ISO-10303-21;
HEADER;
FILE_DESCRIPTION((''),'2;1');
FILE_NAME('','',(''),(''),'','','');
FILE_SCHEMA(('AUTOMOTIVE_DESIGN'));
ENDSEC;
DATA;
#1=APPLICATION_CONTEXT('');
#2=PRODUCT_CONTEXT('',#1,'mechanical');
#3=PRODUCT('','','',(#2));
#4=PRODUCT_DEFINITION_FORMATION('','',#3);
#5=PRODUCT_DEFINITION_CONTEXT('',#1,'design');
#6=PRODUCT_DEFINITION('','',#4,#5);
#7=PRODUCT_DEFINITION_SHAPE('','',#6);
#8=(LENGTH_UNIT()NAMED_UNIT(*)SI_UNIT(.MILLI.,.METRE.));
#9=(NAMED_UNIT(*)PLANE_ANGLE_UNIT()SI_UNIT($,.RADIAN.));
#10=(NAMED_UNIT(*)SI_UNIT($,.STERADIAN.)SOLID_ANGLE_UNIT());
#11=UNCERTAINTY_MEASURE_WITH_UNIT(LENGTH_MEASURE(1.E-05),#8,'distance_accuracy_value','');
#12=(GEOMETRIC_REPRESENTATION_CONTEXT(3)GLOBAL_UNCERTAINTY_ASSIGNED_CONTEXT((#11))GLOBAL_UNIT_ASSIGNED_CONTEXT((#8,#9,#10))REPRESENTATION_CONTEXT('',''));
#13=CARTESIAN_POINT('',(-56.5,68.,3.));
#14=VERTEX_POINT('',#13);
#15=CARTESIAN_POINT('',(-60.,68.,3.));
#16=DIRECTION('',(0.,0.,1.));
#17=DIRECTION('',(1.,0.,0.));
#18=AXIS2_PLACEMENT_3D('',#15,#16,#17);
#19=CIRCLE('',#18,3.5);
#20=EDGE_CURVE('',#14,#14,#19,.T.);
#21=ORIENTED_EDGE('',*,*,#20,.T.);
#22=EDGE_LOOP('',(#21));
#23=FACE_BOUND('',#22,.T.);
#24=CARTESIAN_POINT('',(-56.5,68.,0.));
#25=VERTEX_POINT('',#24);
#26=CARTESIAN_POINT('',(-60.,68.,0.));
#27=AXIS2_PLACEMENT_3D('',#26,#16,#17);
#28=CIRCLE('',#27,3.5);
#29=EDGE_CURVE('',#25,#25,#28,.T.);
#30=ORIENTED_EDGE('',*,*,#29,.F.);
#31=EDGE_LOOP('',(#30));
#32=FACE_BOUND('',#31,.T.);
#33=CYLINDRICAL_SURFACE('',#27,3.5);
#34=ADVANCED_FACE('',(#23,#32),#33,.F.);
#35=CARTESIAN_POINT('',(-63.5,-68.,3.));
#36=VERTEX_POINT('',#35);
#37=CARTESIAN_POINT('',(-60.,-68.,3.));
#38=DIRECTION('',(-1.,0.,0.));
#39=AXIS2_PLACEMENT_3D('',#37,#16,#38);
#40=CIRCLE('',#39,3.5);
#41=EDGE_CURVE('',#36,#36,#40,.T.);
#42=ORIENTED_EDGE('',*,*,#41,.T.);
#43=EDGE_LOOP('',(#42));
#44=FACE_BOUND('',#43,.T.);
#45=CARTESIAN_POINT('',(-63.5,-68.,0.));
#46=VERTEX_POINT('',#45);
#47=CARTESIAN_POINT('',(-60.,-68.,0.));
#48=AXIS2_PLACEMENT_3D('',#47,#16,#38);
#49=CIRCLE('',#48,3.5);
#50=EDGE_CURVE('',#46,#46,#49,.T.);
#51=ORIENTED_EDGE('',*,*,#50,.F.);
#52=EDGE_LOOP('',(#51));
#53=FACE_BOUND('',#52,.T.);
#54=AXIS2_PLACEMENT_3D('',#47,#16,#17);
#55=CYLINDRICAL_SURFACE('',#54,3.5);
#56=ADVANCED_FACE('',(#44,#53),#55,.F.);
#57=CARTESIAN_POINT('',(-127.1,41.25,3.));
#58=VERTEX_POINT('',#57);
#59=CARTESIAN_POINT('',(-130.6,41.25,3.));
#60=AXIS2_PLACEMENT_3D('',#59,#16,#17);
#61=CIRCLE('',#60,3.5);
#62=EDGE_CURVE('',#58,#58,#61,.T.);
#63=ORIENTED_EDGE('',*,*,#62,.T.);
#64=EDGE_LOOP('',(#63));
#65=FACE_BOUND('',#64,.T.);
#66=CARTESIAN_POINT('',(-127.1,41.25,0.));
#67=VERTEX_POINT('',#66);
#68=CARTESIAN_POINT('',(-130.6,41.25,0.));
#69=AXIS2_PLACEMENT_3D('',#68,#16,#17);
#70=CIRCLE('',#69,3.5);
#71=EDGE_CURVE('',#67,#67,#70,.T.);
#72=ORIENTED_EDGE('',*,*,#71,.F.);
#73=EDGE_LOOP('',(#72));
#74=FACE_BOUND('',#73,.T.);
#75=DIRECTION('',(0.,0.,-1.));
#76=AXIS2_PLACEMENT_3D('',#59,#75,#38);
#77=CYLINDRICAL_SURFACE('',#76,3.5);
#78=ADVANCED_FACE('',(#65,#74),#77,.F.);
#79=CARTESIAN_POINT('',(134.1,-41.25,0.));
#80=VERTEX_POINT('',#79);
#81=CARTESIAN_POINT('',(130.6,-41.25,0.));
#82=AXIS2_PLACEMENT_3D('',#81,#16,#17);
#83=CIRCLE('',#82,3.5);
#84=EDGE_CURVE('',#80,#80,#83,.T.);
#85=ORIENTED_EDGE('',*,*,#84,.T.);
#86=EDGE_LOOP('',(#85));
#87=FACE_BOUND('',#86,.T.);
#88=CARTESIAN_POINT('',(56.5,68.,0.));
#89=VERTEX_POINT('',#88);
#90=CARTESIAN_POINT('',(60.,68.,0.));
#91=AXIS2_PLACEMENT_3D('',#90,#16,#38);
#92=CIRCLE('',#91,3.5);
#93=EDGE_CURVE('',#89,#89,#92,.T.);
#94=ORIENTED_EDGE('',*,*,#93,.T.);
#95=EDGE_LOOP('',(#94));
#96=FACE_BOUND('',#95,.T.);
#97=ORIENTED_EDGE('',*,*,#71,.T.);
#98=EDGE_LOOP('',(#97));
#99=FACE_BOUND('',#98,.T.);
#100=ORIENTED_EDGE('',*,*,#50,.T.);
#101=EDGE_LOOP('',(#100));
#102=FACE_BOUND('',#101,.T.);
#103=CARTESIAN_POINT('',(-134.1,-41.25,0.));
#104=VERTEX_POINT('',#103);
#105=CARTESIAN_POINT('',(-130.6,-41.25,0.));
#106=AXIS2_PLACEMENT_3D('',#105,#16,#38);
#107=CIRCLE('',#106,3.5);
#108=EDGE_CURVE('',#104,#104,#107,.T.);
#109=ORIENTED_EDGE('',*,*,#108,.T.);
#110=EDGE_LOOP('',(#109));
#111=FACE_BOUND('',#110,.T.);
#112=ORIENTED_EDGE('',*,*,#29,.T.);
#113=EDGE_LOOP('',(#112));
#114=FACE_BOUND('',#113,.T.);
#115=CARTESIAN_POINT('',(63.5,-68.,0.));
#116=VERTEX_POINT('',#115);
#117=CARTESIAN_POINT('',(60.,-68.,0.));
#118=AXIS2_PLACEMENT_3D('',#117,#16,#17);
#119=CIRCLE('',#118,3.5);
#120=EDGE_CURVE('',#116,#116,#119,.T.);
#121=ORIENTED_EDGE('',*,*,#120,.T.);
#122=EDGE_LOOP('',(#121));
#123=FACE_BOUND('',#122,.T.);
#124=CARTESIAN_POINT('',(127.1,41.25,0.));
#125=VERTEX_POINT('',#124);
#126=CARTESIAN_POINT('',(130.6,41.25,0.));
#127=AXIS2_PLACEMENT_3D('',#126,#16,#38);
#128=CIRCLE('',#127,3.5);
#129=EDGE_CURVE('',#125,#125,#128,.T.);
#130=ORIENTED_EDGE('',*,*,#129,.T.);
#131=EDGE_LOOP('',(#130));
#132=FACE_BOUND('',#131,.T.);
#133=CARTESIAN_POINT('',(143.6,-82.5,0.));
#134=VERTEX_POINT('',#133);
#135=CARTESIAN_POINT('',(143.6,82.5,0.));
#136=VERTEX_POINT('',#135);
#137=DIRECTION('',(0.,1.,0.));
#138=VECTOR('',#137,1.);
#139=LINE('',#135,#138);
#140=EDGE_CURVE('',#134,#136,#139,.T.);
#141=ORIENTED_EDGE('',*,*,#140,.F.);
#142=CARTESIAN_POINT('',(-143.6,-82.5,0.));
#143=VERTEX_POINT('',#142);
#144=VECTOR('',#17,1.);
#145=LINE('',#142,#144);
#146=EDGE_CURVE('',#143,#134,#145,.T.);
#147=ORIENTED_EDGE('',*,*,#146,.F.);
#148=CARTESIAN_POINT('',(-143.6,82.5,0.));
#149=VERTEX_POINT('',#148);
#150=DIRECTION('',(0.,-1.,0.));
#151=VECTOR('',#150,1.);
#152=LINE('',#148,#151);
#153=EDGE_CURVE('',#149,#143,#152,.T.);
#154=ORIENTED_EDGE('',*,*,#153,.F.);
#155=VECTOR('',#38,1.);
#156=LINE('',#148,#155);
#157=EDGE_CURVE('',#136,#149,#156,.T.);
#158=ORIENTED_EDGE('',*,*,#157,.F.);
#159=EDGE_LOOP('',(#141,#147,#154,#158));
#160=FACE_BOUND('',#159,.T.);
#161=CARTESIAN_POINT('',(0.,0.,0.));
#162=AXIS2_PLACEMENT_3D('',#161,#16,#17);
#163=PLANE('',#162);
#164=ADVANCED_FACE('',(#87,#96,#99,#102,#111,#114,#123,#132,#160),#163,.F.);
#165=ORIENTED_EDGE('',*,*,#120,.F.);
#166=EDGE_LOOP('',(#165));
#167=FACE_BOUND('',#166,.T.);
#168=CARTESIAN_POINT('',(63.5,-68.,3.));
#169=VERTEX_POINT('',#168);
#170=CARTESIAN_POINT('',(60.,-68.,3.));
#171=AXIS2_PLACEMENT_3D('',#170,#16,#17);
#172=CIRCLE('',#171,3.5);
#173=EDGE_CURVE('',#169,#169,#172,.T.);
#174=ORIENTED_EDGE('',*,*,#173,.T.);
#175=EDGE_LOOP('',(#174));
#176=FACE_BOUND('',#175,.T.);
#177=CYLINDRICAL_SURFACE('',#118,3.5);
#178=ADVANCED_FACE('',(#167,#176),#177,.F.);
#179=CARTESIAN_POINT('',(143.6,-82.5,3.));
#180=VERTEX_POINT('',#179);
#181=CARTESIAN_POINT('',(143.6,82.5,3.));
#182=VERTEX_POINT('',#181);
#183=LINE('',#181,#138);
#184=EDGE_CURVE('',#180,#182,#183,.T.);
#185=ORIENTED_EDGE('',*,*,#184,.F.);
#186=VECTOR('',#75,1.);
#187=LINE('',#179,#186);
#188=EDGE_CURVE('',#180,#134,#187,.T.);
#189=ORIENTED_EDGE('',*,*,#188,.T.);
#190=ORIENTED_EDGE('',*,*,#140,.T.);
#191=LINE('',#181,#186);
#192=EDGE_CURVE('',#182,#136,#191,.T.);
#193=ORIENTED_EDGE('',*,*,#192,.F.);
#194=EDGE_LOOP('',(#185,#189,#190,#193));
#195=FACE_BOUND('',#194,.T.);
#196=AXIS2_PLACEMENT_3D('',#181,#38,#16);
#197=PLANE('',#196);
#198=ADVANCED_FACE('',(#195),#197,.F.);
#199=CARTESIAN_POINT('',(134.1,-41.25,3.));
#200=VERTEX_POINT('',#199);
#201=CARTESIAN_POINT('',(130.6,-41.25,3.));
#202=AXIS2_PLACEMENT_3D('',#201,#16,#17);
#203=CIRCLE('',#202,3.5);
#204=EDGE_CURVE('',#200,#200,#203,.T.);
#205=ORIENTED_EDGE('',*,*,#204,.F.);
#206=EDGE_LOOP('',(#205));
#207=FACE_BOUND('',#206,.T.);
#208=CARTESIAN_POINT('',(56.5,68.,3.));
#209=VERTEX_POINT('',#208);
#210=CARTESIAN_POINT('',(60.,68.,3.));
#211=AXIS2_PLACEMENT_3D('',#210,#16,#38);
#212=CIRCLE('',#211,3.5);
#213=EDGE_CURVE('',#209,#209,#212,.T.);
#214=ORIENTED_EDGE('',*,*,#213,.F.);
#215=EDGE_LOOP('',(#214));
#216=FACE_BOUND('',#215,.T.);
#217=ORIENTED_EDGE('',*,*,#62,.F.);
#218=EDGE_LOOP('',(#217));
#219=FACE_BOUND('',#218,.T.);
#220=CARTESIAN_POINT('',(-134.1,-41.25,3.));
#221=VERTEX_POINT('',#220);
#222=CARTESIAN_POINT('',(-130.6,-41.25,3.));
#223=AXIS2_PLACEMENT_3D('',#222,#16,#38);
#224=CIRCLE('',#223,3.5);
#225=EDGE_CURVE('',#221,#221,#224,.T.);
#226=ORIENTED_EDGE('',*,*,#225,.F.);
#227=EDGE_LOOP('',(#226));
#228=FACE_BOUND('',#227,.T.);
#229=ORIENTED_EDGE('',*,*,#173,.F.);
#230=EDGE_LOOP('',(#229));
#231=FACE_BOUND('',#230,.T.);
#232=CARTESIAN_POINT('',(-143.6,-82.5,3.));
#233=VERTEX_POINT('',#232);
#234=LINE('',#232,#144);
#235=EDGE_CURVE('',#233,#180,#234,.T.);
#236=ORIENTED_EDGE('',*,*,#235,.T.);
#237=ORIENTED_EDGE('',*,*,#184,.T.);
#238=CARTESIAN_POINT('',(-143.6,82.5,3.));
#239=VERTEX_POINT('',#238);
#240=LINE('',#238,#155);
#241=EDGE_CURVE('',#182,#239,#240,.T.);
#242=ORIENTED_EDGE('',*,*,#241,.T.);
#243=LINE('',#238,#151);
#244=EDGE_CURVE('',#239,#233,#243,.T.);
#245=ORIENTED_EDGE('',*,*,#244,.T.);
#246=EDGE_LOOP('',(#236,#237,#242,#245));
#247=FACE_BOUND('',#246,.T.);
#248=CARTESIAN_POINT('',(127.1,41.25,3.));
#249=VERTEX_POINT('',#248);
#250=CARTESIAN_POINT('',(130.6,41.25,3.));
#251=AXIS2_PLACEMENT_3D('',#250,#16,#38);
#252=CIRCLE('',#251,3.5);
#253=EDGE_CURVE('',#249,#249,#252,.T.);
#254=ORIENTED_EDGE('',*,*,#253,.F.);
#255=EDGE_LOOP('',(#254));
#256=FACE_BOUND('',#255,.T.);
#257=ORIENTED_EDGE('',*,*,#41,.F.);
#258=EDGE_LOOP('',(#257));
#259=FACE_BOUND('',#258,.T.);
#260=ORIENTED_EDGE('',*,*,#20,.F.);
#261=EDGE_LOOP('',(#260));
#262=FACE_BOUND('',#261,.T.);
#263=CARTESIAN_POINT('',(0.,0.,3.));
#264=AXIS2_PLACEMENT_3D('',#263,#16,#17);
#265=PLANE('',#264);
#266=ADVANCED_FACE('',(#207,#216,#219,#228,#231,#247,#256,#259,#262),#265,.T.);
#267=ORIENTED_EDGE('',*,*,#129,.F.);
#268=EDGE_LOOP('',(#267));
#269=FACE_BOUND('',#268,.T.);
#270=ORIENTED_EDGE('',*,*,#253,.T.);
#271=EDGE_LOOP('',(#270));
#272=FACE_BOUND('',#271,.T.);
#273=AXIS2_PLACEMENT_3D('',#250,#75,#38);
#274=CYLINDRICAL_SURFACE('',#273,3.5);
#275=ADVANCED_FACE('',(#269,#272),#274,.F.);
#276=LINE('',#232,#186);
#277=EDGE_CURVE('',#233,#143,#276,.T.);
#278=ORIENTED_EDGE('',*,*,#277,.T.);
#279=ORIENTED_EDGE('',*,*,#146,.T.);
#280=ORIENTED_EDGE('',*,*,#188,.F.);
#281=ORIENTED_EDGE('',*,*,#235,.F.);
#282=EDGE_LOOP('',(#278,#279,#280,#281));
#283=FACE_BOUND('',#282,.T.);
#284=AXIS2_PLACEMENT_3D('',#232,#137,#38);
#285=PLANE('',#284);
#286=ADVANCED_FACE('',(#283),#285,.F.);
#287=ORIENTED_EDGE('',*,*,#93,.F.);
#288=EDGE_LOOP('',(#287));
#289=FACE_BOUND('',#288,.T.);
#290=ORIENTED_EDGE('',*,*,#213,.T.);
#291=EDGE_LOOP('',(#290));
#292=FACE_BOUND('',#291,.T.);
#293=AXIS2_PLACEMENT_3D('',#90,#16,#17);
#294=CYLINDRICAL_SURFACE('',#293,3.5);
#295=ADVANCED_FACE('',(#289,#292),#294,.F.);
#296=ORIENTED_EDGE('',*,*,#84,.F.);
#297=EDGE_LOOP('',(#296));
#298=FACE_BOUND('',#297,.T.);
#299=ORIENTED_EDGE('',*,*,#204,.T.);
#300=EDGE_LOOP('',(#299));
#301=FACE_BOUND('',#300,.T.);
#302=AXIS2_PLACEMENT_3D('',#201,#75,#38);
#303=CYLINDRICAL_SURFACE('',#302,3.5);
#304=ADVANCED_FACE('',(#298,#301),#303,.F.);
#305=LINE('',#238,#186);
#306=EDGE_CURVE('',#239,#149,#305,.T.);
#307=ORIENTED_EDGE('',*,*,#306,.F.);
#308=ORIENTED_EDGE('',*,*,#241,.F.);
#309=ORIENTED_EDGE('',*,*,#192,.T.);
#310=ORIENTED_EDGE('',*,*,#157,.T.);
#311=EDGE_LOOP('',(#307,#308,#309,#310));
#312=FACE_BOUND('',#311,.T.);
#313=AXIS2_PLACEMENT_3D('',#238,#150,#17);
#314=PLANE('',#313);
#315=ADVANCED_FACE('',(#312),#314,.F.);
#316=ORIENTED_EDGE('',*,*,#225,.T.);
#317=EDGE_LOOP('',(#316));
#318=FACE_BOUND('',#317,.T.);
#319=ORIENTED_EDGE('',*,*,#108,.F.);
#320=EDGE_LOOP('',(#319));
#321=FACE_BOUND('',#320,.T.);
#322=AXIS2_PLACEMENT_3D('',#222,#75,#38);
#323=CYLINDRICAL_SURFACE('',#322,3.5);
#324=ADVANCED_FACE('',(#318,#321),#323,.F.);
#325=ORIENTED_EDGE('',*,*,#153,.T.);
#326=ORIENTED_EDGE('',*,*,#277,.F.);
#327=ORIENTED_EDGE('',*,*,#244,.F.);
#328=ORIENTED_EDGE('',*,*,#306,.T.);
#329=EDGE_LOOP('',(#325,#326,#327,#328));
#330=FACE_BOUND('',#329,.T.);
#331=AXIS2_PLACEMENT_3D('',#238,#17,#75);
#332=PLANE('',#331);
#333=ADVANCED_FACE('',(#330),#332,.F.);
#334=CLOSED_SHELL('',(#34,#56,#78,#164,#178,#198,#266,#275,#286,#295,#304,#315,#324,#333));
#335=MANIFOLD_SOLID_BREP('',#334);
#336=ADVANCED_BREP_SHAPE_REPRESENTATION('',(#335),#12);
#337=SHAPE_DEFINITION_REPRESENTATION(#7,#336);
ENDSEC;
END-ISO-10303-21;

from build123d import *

# Parameters (mm, degrees)
SKETCH2_W           = 287.200000002
SKETCH2_H           = 165
SKETCH2_R           = 3.5
BOSS_EXTRUDE2_DEPTH = 3
SKETCH3_R           = 3.5
CUT_EXTRUDE1_DEPTH  = 3


with BuildPart() as part:
    # Sketch2 → Boss-Extrude2 (new body)
    with BuildSketch(Plane.XY):
        Rectangle(SKETCH2_W, SKETCH2_H)
        with Locations((-130.600000001, 41.25)):
            Circle(SKETCH2_R, mode=Mode.SUBTRACT)
        with Locations((-130.600000001, -41.25)):
            Circle(SKETCH2_R, mode=Mode.SUBTRACT)
        with Locations((130.600000001, -41.25)):
            Circle(SKETCH2_R, mode=Mode.SUBTRACT)
        with Locations((130.600000001, 41.25)):
            Circle(SKETCH2_R, mode=Mode.SUBTRACT)
    extrude(amount=BOSS_EXTRUDE2_DEPTH)

    # Sketch3 → Cut-Extrude1 (cut)
    with BuildSketch(Plane.XY.offset(3)):
        with Locations((-60, 68)):
            Circle(SKETCH3_R)
        with Locations((60, 68)):
            Circle(SKETCH3_R)
        with Locations((60, -68)):
            Circle(SKETCH3_R)
        with Locations((-60, -68)):
            Circle(SKETCH3_R)
    extrude(amount=-CUT_EXTRUDE1_DEPTH, mode=Mode.SUBTRACT)


solid = part.part
